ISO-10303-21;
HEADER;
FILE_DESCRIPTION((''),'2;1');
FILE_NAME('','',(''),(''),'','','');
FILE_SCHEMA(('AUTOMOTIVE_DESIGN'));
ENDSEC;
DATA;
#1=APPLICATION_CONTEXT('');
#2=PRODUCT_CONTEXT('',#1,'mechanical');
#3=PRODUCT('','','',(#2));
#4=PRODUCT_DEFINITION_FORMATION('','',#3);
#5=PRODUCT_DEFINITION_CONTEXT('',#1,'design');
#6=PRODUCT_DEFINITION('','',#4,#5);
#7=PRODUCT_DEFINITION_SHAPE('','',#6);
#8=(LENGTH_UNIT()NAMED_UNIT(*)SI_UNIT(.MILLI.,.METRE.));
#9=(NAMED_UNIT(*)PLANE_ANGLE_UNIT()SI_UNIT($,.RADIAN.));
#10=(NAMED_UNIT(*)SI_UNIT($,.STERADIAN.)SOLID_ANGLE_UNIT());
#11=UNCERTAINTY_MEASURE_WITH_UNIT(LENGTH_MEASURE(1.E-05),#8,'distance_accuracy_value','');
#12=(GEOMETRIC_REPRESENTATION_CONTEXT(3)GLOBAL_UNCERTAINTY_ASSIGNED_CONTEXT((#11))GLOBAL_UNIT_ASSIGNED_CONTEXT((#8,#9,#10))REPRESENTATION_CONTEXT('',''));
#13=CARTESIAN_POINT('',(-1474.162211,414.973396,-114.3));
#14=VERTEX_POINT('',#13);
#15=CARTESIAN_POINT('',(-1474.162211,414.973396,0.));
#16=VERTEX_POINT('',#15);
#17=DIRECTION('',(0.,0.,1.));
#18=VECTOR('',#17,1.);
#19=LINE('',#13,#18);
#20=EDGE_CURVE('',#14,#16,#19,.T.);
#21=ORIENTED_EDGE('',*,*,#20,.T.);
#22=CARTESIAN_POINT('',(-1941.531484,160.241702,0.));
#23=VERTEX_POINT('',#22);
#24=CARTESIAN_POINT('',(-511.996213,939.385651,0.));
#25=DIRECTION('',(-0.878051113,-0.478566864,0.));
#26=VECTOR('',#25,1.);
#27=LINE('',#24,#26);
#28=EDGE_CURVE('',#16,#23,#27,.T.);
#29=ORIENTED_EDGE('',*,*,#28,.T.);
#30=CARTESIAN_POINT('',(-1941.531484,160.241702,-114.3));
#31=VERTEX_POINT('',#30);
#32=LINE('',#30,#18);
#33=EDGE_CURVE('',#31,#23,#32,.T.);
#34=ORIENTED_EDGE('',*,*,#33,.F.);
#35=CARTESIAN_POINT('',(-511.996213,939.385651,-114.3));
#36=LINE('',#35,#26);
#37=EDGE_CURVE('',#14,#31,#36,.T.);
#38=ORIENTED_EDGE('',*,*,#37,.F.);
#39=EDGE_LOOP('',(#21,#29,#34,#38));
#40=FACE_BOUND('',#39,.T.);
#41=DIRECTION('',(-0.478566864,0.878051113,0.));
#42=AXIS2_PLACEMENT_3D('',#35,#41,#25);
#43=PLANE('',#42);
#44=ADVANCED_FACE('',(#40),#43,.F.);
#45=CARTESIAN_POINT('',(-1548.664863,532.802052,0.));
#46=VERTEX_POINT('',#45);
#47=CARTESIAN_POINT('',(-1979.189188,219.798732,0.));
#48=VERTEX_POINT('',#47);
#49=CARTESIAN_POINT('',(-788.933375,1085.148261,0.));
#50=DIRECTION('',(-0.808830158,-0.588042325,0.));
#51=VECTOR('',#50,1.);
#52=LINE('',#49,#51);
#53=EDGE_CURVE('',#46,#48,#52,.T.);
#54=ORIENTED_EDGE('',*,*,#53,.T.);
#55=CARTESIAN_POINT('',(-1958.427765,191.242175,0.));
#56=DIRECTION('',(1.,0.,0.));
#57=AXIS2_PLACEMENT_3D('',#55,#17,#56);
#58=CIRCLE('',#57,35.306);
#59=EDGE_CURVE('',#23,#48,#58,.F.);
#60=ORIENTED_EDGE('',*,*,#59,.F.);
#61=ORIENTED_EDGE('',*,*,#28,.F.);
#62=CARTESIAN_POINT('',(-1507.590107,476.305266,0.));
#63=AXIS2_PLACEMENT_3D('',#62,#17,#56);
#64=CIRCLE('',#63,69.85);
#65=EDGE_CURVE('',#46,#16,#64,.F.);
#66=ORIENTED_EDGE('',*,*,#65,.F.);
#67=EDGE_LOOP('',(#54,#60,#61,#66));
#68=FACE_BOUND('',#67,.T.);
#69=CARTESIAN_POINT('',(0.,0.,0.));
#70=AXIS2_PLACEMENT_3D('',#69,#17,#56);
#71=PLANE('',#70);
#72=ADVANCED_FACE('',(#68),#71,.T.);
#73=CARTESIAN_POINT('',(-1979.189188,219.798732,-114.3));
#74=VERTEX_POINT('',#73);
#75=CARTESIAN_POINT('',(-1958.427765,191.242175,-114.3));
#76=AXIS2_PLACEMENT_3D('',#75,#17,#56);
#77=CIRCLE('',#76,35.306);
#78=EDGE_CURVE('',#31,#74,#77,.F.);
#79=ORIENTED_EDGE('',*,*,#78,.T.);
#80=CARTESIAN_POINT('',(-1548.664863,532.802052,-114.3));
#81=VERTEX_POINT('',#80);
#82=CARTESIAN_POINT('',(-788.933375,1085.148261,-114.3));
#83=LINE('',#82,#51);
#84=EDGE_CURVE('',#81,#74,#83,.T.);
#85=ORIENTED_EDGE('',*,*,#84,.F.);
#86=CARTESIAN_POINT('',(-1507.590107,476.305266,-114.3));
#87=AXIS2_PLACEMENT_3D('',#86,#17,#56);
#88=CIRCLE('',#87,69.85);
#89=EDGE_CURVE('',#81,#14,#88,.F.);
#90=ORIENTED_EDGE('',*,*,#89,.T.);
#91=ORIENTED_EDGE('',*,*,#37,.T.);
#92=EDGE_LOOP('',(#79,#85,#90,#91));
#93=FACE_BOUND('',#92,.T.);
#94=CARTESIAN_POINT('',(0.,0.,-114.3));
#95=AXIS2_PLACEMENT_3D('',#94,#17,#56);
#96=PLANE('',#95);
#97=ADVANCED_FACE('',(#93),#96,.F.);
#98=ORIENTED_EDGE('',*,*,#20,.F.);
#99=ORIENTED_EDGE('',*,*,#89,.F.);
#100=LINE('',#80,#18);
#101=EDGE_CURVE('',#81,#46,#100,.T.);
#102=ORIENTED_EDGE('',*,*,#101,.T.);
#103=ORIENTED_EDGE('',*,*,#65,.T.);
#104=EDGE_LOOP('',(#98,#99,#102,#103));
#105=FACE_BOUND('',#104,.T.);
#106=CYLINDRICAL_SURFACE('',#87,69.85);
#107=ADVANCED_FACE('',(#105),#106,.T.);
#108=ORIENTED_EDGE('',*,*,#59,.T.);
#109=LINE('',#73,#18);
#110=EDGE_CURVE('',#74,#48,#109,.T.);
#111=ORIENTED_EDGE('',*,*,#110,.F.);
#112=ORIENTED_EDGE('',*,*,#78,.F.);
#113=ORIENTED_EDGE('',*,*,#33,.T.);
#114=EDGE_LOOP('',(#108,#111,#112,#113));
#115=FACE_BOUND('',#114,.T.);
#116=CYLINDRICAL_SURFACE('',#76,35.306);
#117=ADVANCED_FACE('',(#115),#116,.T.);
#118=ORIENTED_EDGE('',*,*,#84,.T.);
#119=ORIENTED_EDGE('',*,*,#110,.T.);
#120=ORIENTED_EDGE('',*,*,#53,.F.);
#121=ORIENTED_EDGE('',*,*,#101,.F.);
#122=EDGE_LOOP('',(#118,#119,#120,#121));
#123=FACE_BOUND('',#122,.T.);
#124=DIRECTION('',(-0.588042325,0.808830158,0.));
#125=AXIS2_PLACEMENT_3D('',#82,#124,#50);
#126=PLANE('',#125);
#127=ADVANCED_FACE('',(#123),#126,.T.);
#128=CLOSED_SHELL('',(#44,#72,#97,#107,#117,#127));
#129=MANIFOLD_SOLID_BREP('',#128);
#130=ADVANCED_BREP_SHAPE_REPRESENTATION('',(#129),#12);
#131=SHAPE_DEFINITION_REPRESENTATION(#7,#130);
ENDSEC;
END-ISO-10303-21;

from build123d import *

# Parameters (mm, degrees)
BOSS_EXTRUDE1_DEPTH = 114.3


with BuildPart() as part:
    # Sketch1 → Boss-Extrude1 (new body)
    with BuildSketch(Plane.XY):
        with BuildLine():
            Line((-1548.664863268, 532.802052348), (-1979.189187563, 219.79873247))
            ThreePointArc((-1979.189187563, 219.79873247), (-1988.268924531, 172.373713189), (-1941.531483547, 160.241702328))
            Line((-1941.531483547, 160.241702328), (-1474.162211439, 414.973395591))
            ThreePointArc((-1474.162211439, 414.973395591), (-1448.551842086, 513.634956305), (-1548.664863268, 532.802052348))
        make_face()
    extrude(amount=-BOSS_EXTRUDE1_DEPTH)


solid = part.part
